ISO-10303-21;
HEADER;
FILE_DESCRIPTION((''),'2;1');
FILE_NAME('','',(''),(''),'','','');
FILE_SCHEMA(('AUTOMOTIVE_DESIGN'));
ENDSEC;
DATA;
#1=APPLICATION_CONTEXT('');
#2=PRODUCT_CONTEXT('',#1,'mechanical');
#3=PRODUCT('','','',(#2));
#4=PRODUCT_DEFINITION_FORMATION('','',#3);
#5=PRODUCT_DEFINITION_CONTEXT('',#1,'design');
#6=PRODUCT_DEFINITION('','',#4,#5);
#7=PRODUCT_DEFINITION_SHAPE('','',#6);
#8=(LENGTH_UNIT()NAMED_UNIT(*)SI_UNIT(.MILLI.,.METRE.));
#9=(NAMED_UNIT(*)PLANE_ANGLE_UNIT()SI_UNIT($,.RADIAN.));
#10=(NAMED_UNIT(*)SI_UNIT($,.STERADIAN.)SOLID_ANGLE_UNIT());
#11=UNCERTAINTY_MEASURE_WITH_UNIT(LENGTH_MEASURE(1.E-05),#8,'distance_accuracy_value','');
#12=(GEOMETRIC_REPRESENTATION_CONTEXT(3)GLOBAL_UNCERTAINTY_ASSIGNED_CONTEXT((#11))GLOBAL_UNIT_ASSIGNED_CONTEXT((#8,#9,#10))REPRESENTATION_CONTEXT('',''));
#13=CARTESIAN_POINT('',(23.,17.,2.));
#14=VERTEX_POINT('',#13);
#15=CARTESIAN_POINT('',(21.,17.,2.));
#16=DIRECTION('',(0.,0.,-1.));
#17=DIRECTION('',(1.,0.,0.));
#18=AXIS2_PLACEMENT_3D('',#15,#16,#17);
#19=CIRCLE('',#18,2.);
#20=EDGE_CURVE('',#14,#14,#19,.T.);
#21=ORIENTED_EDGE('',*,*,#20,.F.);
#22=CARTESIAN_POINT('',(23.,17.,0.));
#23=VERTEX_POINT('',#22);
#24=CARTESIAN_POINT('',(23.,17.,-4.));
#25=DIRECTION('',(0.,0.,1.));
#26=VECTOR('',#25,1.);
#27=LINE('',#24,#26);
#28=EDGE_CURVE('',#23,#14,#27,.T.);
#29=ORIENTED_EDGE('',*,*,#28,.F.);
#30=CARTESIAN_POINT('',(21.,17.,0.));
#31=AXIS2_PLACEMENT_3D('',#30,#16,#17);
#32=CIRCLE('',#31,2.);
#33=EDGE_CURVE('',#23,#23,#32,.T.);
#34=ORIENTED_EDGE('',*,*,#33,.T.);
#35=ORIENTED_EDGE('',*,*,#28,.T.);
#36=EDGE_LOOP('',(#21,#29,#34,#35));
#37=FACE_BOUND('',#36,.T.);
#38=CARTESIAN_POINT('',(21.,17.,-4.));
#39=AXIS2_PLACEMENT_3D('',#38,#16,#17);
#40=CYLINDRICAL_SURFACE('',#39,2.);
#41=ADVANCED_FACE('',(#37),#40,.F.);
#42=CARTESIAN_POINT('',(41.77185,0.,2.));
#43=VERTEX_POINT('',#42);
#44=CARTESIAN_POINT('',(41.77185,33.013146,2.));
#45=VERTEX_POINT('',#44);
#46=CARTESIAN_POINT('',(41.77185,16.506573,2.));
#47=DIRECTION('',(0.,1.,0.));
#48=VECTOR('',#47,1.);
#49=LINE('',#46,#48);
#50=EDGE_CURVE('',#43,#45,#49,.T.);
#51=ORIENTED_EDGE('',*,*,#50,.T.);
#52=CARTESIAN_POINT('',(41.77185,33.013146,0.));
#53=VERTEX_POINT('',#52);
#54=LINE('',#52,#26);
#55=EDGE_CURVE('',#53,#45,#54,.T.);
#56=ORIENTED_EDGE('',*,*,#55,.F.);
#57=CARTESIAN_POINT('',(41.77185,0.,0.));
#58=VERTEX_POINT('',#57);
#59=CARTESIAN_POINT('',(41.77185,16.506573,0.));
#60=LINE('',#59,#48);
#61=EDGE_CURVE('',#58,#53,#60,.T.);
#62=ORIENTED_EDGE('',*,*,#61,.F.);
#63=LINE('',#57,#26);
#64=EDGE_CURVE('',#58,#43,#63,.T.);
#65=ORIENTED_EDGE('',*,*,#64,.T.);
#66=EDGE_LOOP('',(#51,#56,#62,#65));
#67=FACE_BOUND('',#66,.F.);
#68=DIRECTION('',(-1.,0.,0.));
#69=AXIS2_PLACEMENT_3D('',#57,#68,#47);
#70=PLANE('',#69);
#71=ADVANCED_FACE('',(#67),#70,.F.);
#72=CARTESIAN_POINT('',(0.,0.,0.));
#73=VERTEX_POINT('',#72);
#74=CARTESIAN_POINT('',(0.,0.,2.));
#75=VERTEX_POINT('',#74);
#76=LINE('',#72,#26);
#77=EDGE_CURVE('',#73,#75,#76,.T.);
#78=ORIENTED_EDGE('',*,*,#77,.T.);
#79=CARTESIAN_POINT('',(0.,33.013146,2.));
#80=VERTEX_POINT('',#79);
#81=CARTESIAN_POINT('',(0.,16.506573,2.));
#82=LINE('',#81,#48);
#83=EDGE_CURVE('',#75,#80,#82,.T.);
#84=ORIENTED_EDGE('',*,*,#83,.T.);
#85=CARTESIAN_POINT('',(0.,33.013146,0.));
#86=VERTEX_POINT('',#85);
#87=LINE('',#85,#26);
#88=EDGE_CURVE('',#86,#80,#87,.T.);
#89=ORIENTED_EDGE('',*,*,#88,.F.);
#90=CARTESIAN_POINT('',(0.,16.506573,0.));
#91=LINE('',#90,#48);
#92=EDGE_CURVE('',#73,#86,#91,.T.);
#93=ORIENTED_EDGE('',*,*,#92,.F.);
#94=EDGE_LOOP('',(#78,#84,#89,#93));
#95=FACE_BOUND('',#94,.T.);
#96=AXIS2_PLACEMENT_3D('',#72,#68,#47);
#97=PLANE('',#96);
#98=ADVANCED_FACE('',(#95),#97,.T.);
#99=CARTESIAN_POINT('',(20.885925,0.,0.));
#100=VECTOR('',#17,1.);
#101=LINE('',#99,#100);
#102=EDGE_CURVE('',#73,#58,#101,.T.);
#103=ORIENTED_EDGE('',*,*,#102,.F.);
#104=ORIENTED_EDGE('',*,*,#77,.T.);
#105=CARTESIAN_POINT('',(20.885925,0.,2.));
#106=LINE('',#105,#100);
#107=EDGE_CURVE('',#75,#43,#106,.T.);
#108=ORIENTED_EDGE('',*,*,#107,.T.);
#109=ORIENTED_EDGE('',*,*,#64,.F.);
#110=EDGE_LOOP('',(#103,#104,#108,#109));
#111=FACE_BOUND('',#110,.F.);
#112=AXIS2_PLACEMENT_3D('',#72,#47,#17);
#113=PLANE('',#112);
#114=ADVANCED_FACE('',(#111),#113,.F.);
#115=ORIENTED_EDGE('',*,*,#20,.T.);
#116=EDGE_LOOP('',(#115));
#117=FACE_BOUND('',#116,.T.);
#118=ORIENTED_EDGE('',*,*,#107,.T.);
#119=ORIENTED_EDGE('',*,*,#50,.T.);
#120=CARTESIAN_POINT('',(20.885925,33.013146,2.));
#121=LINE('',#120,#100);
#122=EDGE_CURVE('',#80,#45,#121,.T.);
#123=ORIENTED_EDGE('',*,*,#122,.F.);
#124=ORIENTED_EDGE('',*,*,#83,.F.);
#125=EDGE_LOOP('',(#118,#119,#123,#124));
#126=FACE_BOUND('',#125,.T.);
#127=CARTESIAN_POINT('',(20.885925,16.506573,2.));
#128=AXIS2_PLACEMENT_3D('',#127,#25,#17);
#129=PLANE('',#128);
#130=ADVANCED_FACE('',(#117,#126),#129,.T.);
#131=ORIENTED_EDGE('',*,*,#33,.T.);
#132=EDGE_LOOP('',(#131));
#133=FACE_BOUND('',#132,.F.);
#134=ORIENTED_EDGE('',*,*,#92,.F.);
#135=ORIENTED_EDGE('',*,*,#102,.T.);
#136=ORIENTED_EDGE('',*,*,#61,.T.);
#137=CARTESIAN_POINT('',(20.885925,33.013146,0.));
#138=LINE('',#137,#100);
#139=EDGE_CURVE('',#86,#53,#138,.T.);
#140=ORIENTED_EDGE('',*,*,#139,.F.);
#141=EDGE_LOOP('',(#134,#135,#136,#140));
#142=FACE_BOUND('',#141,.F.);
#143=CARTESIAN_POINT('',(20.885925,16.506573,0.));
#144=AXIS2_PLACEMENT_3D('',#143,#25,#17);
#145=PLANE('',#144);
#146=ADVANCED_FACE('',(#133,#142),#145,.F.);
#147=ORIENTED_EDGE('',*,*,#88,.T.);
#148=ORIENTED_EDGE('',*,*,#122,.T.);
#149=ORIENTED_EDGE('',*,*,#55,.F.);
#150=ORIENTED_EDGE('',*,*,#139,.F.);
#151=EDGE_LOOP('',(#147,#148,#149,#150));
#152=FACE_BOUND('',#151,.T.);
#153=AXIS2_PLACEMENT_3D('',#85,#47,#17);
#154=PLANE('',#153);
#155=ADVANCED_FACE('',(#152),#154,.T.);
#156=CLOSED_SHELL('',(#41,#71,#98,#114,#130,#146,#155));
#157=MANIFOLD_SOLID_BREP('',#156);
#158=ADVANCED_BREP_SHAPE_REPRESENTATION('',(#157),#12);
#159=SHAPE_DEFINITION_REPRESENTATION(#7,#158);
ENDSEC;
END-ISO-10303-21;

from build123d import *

# Parameters (mm, degrees)
CYLINDER_R     = 2
CYLINDER_DEPTH = 10
SKETCH_W       = 41.771851
SKETCH_H       = 33.013145
EXTRUDE_DEPTH  = 2


with BuildPart() as cilindro:
    # Cylinder → Cylinder (new body)
    with BuildSketch(Plane(origin=(21, 17, -4), x_dir=(1, 0, 0), z_dir=(0, 0, 1))):
        Circle(CYLINDER_R)
    extrude(amount=CYLINDER_DEPTH)


with BuildPart() as cut:
    # Sketch → Extrude (new body)
    with BuildSketch(Plane.XY):
        with Locations((20.885925, 16.506573)):
            Rectangle(SKETCH_W, SKETCH_H)
    extrude(amount=EXTRUDE_DEPTH)

    # Cut: cut Cilindro
    add(cilindro.part, mode=Mode.SUBTRACT)


solid = cut.part
